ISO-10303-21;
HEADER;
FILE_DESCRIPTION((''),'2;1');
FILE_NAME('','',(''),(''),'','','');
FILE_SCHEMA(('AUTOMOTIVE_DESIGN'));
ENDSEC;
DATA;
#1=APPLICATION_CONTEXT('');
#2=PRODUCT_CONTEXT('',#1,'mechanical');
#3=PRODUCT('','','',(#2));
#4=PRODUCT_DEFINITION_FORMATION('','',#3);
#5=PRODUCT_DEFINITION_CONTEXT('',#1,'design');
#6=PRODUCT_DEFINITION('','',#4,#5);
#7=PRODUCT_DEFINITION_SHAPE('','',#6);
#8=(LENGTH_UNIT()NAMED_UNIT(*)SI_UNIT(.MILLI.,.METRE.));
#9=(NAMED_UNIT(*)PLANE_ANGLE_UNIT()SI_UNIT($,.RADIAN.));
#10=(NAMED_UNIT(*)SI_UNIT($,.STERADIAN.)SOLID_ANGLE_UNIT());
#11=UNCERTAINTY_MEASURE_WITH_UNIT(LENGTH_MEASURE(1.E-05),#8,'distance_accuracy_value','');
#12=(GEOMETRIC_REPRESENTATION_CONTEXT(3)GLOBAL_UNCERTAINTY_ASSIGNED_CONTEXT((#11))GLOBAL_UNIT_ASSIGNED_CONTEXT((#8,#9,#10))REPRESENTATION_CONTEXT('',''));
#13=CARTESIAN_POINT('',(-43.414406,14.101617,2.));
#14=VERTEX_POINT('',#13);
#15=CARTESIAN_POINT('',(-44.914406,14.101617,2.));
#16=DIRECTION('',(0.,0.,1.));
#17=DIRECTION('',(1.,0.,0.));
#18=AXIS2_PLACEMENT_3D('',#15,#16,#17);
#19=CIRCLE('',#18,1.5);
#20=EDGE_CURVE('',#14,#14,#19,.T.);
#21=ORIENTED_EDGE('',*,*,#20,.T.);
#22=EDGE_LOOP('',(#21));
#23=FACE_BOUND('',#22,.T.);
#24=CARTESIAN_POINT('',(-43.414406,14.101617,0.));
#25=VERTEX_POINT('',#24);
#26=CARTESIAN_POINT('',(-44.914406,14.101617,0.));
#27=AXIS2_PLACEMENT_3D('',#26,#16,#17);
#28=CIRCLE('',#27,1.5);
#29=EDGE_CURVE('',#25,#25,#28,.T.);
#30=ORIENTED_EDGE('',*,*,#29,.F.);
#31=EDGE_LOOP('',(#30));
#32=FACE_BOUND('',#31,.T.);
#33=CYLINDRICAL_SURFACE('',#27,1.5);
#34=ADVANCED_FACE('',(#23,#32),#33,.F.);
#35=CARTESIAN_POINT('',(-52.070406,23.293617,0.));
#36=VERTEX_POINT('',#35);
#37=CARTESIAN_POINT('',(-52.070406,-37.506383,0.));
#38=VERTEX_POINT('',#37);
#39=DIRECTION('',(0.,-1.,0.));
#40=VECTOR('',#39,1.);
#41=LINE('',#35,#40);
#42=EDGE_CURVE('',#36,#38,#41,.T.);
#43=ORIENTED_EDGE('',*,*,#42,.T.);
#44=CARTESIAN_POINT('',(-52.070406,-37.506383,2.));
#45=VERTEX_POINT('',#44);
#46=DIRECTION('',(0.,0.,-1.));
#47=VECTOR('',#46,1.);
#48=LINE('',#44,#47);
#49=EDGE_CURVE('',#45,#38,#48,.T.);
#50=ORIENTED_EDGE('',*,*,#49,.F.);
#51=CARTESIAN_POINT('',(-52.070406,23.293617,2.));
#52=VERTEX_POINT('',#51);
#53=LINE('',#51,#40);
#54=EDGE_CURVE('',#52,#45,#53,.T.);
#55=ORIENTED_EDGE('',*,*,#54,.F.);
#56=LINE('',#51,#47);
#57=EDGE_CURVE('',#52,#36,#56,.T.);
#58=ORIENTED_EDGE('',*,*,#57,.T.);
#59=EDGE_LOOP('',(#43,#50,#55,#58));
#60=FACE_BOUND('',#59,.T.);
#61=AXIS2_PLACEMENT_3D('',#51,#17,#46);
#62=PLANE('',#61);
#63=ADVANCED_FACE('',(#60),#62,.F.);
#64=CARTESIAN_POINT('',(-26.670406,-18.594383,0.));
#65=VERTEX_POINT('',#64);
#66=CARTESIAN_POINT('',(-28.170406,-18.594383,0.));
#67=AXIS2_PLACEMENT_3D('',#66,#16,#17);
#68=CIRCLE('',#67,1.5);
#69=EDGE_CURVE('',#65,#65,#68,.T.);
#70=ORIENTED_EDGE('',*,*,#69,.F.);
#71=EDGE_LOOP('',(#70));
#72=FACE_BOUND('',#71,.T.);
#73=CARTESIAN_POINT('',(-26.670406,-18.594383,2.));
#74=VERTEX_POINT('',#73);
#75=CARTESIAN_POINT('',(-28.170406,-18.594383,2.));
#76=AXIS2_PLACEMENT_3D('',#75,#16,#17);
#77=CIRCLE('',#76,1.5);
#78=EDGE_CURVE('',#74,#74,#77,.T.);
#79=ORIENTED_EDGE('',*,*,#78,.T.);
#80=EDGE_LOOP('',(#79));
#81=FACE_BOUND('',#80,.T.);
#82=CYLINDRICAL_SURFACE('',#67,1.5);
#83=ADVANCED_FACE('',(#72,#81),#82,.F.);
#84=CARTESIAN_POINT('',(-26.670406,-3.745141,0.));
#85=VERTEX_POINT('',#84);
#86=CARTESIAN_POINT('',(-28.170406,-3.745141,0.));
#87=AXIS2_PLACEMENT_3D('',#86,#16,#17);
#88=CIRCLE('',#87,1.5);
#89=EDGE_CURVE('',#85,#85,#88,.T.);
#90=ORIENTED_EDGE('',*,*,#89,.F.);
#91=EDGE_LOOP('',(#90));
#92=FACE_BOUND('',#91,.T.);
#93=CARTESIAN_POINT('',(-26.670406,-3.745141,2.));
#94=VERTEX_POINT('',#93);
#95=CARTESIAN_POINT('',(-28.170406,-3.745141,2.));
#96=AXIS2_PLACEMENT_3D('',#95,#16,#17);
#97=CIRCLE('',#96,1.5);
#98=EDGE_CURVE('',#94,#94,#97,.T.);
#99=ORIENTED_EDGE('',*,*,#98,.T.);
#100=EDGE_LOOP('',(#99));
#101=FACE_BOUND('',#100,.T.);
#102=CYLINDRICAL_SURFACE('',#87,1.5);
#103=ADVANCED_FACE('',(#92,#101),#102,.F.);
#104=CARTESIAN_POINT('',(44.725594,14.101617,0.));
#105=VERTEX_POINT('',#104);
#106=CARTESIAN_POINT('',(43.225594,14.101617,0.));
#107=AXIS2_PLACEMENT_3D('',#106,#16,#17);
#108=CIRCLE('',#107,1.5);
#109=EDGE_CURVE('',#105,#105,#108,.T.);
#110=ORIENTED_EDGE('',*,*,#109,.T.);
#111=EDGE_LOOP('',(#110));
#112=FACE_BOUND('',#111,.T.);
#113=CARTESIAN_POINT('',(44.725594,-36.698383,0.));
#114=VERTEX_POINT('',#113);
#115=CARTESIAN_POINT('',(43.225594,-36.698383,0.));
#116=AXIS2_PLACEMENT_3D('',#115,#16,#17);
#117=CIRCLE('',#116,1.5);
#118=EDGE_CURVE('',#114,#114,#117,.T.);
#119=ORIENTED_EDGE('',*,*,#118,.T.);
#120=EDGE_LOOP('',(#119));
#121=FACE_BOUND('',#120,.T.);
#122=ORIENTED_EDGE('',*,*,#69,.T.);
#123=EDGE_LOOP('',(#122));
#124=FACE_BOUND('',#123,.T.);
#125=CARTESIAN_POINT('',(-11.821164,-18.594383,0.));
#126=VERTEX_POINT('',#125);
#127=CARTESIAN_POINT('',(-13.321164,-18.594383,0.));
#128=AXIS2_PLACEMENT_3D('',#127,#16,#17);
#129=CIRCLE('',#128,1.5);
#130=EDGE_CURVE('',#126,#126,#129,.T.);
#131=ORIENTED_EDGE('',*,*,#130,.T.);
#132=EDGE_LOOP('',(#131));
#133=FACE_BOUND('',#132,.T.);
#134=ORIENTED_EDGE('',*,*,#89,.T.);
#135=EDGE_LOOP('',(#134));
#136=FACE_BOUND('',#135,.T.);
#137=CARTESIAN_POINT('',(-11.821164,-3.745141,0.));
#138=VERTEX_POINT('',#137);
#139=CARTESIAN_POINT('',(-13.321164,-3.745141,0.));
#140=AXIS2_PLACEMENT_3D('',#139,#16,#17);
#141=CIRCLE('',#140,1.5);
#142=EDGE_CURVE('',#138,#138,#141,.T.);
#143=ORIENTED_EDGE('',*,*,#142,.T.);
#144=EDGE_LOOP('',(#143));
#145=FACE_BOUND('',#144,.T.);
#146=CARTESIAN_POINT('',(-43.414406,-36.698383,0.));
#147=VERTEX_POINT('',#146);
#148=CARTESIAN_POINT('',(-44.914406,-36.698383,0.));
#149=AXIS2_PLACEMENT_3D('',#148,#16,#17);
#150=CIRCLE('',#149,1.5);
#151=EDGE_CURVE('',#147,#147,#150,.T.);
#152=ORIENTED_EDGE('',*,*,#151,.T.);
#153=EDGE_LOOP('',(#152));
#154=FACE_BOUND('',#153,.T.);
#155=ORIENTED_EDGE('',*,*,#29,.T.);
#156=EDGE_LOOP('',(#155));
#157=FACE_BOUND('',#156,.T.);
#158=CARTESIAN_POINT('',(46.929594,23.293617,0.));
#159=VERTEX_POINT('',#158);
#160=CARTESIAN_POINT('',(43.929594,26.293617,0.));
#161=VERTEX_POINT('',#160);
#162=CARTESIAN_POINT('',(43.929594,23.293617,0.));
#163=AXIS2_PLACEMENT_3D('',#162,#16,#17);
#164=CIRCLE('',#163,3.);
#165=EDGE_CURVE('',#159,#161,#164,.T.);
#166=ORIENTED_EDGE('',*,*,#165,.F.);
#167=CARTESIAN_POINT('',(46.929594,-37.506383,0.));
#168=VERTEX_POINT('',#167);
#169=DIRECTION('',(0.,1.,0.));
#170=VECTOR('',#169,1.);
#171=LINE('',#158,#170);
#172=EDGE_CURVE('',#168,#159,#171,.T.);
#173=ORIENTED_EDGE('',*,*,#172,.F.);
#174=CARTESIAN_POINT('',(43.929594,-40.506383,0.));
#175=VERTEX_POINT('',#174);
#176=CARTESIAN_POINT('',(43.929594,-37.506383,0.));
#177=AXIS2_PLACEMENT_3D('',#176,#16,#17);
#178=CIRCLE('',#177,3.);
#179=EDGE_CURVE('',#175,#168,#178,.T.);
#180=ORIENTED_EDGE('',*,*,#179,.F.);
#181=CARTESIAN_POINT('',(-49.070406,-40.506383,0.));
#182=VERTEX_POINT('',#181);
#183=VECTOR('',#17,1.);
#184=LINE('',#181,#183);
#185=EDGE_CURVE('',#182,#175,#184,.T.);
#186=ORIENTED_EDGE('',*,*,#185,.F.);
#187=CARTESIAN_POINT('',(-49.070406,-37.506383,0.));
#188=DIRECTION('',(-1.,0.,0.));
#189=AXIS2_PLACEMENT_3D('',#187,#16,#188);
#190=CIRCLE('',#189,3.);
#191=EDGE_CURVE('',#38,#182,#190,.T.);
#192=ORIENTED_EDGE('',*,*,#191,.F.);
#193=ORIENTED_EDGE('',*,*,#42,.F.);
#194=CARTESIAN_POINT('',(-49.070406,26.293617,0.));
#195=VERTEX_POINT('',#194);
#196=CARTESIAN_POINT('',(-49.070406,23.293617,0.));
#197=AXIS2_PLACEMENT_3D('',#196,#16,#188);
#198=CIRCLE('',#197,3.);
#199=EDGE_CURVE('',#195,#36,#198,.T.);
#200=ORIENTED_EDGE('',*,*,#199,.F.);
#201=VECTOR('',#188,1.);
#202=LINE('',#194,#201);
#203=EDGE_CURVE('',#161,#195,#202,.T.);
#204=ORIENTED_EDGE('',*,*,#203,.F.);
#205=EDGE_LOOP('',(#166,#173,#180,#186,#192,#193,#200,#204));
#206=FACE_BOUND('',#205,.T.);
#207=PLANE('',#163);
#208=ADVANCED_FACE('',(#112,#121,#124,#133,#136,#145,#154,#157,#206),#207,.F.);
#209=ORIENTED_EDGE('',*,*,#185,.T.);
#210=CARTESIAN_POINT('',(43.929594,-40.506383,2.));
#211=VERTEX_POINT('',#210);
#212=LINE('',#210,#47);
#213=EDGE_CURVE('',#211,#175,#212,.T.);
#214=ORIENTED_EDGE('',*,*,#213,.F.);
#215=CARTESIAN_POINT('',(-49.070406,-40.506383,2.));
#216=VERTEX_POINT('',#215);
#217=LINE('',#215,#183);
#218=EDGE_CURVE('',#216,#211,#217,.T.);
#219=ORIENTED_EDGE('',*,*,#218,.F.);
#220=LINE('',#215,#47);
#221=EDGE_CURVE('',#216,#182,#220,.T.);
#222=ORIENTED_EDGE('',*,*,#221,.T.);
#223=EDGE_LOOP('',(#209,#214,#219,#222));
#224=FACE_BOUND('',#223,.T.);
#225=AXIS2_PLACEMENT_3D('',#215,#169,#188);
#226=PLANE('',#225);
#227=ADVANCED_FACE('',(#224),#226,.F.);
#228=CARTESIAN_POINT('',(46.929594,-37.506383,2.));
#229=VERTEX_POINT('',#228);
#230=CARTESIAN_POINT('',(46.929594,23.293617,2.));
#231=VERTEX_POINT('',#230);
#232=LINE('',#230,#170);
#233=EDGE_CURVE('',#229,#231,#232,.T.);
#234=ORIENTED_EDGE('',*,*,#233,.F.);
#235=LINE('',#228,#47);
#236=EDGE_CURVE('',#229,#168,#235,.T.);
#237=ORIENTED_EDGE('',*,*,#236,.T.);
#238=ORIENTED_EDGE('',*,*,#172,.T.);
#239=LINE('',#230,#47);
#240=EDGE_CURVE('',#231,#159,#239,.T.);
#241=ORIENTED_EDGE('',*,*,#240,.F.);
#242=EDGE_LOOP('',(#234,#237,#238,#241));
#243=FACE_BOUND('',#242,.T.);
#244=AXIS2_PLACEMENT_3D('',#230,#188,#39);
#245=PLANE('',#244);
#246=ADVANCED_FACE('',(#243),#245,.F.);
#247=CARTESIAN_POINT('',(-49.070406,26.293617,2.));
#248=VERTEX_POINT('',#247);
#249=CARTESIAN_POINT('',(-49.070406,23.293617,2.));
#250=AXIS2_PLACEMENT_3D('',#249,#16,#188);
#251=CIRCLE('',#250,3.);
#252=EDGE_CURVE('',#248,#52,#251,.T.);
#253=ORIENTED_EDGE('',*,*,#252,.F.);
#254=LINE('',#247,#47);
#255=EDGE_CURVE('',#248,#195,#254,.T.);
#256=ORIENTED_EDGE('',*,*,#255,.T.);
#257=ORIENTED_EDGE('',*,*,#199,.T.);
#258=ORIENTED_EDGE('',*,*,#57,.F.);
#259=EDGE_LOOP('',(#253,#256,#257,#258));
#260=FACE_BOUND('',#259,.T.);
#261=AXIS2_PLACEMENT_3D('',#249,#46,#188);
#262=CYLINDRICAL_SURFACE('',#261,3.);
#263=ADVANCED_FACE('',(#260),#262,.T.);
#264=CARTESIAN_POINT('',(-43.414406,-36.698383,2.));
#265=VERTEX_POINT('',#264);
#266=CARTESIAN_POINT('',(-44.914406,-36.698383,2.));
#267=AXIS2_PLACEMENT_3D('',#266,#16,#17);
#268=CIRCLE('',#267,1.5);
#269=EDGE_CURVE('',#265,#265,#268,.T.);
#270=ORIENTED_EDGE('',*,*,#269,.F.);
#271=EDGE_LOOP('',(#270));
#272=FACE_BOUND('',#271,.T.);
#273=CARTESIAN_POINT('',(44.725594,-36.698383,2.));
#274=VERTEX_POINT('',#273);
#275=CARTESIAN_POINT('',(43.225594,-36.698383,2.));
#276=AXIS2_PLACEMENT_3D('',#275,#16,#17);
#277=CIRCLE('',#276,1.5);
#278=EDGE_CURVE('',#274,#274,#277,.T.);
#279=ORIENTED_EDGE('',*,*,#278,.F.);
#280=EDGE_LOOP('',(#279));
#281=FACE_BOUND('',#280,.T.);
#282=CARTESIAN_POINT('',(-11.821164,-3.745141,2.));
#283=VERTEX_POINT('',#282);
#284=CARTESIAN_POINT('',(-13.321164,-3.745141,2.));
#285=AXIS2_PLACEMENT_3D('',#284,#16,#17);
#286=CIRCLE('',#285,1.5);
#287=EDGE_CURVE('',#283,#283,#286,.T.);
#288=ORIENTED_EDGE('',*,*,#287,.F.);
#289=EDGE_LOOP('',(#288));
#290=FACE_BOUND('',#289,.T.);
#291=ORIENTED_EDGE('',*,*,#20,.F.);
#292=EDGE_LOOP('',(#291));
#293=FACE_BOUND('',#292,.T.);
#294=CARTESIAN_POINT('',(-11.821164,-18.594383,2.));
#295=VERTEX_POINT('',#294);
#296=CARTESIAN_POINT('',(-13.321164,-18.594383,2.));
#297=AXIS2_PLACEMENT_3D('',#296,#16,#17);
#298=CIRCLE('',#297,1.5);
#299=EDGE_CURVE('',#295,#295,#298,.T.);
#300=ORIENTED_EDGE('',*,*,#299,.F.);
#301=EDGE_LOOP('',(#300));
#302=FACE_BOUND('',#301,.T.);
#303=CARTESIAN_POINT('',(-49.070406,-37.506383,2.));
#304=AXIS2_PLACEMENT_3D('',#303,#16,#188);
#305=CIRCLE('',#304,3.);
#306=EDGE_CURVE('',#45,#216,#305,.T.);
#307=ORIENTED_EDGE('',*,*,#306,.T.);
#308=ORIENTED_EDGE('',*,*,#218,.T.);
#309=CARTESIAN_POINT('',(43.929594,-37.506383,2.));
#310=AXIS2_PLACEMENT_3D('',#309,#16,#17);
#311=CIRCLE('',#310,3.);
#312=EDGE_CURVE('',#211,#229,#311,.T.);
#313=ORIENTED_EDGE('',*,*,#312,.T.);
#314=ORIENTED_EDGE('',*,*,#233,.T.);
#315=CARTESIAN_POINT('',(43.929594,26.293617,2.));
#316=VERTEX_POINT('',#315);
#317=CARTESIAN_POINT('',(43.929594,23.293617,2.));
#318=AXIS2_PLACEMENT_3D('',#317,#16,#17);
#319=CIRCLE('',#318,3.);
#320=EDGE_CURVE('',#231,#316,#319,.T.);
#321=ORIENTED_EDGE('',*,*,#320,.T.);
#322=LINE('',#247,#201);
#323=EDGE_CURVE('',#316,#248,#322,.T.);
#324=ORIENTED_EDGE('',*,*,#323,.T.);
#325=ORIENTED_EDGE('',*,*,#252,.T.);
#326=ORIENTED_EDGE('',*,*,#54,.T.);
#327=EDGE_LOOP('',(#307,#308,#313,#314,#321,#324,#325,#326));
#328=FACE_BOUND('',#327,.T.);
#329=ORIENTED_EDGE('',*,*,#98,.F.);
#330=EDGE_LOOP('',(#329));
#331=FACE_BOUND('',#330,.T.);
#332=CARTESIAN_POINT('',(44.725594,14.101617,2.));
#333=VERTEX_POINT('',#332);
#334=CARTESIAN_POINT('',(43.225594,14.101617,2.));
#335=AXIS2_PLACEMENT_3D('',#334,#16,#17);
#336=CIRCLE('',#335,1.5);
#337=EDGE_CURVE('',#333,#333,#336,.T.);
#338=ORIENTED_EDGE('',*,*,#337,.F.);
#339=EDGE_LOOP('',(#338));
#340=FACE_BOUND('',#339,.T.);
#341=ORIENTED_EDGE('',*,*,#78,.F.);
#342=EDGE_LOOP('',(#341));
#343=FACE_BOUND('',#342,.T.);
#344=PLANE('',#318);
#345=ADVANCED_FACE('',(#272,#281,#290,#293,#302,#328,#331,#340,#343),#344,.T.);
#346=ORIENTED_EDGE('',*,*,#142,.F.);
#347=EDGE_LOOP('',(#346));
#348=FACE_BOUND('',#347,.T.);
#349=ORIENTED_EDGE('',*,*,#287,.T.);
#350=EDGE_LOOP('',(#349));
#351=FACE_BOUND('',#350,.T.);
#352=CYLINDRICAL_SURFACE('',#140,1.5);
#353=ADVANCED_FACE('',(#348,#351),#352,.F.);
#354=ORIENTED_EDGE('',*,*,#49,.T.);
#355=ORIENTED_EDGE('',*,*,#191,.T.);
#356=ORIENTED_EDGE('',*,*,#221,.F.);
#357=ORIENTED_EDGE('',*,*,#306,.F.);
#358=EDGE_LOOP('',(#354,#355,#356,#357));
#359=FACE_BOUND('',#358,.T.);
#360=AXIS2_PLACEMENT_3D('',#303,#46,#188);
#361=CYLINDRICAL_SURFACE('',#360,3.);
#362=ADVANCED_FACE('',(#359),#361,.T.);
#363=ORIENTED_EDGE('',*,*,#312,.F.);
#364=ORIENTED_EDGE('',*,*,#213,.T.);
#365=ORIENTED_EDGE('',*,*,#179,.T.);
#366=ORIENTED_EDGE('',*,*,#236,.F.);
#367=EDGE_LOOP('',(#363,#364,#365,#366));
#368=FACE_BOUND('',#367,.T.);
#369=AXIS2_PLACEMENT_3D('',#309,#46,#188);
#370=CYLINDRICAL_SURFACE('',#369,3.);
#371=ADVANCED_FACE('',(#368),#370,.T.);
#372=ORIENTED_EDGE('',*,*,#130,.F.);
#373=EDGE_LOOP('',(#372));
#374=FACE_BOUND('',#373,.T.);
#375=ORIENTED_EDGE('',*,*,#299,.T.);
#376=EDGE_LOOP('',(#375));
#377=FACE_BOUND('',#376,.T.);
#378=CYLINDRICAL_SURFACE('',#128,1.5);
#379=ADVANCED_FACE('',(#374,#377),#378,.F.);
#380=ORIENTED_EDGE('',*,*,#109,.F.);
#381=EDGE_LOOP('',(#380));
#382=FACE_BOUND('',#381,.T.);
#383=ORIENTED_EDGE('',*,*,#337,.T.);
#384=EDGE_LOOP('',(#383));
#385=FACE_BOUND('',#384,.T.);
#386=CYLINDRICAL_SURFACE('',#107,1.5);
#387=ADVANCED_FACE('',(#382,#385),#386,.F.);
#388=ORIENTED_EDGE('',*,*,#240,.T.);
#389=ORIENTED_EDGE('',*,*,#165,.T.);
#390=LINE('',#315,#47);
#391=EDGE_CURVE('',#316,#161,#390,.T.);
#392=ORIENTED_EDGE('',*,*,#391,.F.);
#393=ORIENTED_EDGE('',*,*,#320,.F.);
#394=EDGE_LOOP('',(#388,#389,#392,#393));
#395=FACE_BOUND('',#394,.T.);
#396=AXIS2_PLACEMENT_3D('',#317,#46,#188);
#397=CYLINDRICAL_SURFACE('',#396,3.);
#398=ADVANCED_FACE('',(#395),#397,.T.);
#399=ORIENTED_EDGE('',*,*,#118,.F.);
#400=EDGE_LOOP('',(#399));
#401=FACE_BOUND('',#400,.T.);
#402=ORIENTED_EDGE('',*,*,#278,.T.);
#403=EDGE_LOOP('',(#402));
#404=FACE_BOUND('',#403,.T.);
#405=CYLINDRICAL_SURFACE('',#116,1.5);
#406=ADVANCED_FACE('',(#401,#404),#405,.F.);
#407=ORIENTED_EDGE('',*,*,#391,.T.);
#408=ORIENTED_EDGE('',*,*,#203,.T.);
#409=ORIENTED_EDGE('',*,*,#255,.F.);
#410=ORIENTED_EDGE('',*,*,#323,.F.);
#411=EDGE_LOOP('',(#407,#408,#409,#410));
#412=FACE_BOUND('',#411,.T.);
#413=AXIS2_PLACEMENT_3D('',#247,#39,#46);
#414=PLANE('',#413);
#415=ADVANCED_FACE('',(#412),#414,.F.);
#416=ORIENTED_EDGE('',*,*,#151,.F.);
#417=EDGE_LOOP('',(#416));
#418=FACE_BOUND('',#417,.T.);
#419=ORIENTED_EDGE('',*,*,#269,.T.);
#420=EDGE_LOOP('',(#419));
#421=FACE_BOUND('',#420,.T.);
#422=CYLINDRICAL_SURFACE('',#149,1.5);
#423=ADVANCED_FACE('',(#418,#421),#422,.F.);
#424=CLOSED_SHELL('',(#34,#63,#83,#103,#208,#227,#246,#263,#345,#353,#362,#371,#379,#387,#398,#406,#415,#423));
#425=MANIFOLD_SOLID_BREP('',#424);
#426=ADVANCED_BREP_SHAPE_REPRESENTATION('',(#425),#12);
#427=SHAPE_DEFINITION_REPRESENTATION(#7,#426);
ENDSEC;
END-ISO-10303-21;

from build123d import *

# Parameters (mm, degrees)
EXTRUDE_1_DEPTH     = 2
SKETCH_2_R          = 1.5
CUT_EXTRUDE_1_DEPTH = 2


with BuildPart() as part:
    # 草图1 → 凸台-拉伸1 (new body)
    with BuildSketch(Plane.XY):
        with BuildLine():
            Line((-49.07040619, 26.293617021), (43.92959381, 26.293617021))
            ThreePointArc((43.92959381, 26.293617021), (46.050914154, 25.414937365), (46.92959381, 23.293617021))
            Line((46.92959381, 23.293617021), (46.92959381, -37.506382979))
            ThreePointArc((46.92959381, -37.506382979), (46.050914154, -39.627703322), (43.92959381, -40.506382979))
            Line((43.92959381, -40.506382979), (-49.07040619, -40.506382979))
            ThreePointArc((-49.07040619, -40.506382979), (-51.191726533, -39.627703322), (-52.07040619, -37.506382979))
            Line((-52.07040619, -37.506382979), (-52.07040619, 23.293617021))
            ThreePointArc((-52.07040619, 23.293617021), (-51.191726533, 25.414937365), (-49.07040619, 26.293617021))
        make_face()
    extrude(amount=EXTRUDE_1_DEPTH)

    # 草图2 → 切除-拉伸1 (cut)
    with BuildSketch(Plane.XY.offset(2)):
        with Locations((-44.91440619, 14.101617021)):
            Circle(SKETCH_2_R)
        with Locations((43.22559381, 14.101617021)):
            Circle(SKETCH_2_R)
        with Locations((-44.91440619, -36.698382979)):
            Circle(SKETCH_2_R)
        with Locations((43.22559381, -36.698382979)):
            Circle(SKETCH_2_R)
        with Locations((-28.17040619, -3.745140574)):
            Circle(SKETCH_2_R)
        with Locations((-28.17040619, -18.594382979)):
            Circle(SKETCH_2_R)
        with Locations((-13.321163785, -3.745140574)):
            Circle(SKETCH_2_R)
        with Locations((-13.321163785, -18.594382979)):
            Circle(SKETCH_2_R)
    extrude(amount=-CUT_EXTRUDE_1_DEPTH, mode=Mode.SUBTRACT)


solid = part.part
